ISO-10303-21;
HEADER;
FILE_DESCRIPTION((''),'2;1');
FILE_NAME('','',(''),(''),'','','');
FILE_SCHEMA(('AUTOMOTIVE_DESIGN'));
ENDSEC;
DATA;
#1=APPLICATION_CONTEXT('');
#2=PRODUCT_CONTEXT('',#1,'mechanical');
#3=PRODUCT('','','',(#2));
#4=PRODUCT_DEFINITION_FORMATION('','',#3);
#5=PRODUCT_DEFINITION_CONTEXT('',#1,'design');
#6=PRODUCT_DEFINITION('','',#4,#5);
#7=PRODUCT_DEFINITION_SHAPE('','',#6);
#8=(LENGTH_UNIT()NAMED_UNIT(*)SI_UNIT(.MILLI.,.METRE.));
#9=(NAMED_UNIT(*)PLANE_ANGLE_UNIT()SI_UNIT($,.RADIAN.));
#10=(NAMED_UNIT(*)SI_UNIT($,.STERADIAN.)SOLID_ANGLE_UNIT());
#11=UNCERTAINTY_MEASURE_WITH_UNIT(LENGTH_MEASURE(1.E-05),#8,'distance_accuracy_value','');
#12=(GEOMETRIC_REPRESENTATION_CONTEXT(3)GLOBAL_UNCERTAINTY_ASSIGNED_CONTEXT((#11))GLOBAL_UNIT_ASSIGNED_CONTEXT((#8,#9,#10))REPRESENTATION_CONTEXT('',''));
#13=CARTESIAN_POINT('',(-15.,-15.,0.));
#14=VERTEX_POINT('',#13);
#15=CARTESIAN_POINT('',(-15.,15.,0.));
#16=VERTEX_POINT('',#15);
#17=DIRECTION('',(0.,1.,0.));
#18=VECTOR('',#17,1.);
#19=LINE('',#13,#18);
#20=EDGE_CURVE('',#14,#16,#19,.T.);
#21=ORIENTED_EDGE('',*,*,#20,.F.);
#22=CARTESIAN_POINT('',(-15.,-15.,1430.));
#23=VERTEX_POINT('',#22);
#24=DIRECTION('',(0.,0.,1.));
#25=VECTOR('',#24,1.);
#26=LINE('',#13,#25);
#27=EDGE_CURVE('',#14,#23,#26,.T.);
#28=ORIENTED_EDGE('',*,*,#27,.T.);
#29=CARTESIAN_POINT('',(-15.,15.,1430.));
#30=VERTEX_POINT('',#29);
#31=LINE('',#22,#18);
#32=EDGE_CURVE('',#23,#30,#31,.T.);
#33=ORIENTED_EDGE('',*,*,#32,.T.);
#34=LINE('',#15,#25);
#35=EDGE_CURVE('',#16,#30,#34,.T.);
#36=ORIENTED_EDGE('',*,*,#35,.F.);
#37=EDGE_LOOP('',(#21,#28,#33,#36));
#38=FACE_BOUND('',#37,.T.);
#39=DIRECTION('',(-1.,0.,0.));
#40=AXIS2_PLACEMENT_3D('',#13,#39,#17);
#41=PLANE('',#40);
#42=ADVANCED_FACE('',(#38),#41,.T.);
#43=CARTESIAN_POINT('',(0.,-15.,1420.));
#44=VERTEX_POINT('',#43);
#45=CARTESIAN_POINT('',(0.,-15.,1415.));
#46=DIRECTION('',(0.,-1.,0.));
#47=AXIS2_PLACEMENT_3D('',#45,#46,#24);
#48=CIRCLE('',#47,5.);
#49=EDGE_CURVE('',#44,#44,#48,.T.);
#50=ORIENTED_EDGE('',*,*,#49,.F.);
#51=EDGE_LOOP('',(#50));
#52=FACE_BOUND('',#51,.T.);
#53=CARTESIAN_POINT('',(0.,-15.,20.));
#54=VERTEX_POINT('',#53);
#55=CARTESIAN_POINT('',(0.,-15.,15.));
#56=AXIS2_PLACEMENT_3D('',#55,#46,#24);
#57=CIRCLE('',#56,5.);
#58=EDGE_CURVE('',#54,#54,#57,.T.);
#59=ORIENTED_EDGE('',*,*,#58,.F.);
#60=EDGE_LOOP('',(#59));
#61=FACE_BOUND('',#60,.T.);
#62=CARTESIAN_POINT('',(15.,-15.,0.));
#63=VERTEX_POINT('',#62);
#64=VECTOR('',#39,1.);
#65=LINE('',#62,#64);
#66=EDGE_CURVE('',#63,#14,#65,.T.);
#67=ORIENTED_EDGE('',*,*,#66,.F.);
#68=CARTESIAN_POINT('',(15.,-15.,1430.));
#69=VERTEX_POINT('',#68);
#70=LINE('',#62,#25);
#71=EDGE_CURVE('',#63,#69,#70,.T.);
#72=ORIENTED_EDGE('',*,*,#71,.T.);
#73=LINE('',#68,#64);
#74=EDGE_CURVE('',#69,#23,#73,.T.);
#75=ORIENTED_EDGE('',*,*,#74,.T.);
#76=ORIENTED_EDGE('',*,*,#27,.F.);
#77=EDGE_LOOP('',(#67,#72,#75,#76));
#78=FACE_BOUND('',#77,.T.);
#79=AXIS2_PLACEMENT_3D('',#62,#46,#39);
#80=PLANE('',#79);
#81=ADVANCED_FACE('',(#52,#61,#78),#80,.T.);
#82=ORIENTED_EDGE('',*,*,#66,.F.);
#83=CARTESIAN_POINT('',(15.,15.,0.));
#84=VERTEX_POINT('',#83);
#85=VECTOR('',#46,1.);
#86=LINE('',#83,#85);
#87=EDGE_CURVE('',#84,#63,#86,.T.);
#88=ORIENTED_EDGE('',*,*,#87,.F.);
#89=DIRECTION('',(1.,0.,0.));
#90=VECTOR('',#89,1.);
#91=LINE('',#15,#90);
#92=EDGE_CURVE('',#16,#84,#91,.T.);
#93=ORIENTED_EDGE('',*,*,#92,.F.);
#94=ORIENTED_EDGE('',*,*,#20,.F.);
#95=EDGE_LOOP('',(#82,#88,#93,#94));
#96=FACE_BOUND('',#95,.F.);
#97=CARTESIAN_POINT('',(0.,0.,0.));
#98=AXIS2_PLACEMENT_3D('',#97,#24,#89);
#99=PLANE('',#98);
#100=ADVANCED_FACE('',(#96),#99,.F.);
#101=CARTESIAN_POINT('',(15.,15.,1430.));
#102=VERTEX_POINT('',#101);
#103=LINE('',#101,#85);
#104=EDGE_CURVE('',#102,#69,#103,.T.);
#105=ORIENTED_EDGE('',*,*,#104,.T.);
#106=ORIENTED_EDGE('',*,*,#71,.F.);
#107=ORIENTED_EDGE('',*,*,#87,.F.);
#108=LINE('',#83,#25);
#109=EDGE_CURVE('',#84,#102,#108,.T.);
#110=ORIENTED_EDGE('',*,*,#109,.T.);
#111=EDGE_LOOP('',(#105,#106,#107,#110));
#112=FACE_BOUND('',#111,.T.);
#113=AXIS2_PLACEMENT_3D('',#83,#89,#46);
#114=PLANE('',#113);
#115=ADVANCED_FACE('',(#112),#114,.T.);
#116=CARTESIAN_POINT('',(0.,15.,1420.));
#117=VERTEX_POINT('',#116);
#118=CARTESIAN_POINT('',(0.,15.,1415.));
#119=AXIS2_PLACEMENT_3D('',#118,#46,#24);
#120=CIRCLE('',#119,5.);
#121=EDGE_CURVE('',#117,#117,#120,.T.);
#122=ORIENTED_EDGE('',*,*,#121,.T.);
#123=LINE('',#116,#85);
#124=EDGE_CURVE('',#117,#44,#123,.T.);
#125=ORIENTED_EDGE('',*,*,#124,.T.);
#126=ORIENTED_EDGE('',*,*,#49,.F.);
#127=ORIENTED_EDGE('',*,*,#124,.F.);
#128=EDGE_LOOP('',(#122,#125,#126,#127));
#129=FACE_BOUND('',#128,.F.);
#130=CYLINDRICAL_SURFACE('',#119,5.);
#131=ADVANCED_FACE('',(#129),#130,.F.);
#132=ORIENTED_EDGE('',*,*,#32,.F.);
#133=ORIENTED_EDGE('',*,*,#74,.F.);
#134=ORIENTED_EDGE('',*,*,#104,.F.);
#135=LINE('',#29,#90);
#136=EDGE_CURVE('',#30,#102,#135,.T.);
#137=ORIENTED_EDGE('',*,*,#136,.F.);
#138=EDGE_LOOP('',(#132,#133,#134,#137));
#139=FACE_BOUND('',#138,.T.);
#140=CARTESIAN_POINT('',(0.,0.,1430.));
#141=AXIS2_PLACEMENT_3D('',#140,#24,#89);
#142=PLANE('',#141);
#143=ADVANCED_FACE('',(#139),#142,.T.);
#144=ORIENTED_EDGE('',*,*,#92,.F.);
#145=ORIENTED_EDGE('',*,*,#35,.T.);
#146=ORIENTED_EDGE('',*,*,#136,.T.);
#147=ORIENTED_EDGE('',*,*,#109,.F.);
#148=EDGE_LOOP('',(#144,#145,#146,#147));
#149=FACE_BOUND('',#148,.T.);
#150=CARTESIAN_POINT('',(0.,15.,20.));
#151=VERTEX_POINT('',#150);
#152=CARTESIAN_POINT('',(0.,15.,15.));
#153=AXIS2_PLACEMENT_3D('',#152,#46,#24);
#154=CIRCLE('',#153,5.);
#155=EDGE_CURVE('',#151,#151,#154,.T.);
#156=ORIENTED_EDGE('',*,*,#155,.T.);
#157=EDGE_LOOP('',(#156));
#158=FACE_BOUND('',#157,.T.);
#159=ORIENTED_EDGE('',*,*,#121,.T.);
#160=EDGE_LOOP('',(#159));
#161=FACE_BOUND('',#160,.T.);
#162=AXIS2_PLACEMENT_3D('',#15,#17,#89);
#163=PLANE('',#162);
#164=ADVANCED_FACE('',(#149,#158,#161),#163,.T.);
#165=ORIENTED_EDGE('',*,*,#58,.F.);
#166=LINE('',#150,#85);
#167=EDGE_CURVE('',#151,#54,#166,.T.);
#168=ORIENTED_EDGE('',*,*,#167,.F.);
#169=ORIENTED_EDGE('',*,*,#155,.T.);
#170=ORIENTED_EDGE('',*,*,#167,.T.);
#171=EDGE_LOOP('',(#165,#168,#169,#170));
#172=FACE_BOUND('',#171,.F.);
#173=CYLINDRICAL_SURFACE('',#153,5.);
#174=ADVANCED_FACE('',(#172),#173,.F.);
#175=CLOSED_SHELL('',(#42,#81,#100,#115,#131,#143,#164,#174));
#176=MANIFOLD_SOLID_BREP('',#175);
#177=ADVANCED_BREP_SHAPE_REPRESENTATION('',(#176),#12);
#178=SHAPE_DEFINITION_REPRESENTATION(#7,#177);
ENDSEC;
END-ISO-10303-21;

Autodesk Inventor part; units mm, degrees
ref_plane "YZ Plane" through (0, 0, 0) normal (1, 0, 0) x (0, 1, 0)
ref_plane "XZ Plane" through (0, 0, 0) normal (0, 1, 0) x (-1, 0, 0)
ref_plane "XY Plane" through (0, 0, 0) normal (0, 0, 1) x (1, 0, 0)
sketch "スケッチ4" plane through (0, 0, 0) normal (0, 0, 1) x (1, 0, 0)
  line L0 (-15, 15) -> (15, 15)
  line L1 (15, 15) -> (15, -15)
  line L2 (15, -15) -> (-15, -15)
  line L3 (-15, -15) -> (-15, 15)
  line L4 (-15, 15) -> (15, -15) construction
  line L5 (15, 15) -> (-15, -15) construction
  point P0 (0, 0)
  dimension "d14" = 30
  dimension "d15" = 30
extrude "押し出し2" add sketch "スケッチ4" along normal blind 1430
sketch "スケッチ5" plane through (-15, 15, 0) normal (0, 1, 0) x (1, 0, 0)
  line L0 (30, -1430) -> (0, -1430) projected
  line L1 (0, 0) -> (30, 0) projected
  point P0 (15, 0)
  point P1 (15, -1415)
  point P2 (15, -15)
  dimension "d18" = 15
  dimension "d19" = 15
hole "穴2" at (0, 15, 1415) at (0, 15, 15) direction (0, -1, 0) diameter 10 end through all
